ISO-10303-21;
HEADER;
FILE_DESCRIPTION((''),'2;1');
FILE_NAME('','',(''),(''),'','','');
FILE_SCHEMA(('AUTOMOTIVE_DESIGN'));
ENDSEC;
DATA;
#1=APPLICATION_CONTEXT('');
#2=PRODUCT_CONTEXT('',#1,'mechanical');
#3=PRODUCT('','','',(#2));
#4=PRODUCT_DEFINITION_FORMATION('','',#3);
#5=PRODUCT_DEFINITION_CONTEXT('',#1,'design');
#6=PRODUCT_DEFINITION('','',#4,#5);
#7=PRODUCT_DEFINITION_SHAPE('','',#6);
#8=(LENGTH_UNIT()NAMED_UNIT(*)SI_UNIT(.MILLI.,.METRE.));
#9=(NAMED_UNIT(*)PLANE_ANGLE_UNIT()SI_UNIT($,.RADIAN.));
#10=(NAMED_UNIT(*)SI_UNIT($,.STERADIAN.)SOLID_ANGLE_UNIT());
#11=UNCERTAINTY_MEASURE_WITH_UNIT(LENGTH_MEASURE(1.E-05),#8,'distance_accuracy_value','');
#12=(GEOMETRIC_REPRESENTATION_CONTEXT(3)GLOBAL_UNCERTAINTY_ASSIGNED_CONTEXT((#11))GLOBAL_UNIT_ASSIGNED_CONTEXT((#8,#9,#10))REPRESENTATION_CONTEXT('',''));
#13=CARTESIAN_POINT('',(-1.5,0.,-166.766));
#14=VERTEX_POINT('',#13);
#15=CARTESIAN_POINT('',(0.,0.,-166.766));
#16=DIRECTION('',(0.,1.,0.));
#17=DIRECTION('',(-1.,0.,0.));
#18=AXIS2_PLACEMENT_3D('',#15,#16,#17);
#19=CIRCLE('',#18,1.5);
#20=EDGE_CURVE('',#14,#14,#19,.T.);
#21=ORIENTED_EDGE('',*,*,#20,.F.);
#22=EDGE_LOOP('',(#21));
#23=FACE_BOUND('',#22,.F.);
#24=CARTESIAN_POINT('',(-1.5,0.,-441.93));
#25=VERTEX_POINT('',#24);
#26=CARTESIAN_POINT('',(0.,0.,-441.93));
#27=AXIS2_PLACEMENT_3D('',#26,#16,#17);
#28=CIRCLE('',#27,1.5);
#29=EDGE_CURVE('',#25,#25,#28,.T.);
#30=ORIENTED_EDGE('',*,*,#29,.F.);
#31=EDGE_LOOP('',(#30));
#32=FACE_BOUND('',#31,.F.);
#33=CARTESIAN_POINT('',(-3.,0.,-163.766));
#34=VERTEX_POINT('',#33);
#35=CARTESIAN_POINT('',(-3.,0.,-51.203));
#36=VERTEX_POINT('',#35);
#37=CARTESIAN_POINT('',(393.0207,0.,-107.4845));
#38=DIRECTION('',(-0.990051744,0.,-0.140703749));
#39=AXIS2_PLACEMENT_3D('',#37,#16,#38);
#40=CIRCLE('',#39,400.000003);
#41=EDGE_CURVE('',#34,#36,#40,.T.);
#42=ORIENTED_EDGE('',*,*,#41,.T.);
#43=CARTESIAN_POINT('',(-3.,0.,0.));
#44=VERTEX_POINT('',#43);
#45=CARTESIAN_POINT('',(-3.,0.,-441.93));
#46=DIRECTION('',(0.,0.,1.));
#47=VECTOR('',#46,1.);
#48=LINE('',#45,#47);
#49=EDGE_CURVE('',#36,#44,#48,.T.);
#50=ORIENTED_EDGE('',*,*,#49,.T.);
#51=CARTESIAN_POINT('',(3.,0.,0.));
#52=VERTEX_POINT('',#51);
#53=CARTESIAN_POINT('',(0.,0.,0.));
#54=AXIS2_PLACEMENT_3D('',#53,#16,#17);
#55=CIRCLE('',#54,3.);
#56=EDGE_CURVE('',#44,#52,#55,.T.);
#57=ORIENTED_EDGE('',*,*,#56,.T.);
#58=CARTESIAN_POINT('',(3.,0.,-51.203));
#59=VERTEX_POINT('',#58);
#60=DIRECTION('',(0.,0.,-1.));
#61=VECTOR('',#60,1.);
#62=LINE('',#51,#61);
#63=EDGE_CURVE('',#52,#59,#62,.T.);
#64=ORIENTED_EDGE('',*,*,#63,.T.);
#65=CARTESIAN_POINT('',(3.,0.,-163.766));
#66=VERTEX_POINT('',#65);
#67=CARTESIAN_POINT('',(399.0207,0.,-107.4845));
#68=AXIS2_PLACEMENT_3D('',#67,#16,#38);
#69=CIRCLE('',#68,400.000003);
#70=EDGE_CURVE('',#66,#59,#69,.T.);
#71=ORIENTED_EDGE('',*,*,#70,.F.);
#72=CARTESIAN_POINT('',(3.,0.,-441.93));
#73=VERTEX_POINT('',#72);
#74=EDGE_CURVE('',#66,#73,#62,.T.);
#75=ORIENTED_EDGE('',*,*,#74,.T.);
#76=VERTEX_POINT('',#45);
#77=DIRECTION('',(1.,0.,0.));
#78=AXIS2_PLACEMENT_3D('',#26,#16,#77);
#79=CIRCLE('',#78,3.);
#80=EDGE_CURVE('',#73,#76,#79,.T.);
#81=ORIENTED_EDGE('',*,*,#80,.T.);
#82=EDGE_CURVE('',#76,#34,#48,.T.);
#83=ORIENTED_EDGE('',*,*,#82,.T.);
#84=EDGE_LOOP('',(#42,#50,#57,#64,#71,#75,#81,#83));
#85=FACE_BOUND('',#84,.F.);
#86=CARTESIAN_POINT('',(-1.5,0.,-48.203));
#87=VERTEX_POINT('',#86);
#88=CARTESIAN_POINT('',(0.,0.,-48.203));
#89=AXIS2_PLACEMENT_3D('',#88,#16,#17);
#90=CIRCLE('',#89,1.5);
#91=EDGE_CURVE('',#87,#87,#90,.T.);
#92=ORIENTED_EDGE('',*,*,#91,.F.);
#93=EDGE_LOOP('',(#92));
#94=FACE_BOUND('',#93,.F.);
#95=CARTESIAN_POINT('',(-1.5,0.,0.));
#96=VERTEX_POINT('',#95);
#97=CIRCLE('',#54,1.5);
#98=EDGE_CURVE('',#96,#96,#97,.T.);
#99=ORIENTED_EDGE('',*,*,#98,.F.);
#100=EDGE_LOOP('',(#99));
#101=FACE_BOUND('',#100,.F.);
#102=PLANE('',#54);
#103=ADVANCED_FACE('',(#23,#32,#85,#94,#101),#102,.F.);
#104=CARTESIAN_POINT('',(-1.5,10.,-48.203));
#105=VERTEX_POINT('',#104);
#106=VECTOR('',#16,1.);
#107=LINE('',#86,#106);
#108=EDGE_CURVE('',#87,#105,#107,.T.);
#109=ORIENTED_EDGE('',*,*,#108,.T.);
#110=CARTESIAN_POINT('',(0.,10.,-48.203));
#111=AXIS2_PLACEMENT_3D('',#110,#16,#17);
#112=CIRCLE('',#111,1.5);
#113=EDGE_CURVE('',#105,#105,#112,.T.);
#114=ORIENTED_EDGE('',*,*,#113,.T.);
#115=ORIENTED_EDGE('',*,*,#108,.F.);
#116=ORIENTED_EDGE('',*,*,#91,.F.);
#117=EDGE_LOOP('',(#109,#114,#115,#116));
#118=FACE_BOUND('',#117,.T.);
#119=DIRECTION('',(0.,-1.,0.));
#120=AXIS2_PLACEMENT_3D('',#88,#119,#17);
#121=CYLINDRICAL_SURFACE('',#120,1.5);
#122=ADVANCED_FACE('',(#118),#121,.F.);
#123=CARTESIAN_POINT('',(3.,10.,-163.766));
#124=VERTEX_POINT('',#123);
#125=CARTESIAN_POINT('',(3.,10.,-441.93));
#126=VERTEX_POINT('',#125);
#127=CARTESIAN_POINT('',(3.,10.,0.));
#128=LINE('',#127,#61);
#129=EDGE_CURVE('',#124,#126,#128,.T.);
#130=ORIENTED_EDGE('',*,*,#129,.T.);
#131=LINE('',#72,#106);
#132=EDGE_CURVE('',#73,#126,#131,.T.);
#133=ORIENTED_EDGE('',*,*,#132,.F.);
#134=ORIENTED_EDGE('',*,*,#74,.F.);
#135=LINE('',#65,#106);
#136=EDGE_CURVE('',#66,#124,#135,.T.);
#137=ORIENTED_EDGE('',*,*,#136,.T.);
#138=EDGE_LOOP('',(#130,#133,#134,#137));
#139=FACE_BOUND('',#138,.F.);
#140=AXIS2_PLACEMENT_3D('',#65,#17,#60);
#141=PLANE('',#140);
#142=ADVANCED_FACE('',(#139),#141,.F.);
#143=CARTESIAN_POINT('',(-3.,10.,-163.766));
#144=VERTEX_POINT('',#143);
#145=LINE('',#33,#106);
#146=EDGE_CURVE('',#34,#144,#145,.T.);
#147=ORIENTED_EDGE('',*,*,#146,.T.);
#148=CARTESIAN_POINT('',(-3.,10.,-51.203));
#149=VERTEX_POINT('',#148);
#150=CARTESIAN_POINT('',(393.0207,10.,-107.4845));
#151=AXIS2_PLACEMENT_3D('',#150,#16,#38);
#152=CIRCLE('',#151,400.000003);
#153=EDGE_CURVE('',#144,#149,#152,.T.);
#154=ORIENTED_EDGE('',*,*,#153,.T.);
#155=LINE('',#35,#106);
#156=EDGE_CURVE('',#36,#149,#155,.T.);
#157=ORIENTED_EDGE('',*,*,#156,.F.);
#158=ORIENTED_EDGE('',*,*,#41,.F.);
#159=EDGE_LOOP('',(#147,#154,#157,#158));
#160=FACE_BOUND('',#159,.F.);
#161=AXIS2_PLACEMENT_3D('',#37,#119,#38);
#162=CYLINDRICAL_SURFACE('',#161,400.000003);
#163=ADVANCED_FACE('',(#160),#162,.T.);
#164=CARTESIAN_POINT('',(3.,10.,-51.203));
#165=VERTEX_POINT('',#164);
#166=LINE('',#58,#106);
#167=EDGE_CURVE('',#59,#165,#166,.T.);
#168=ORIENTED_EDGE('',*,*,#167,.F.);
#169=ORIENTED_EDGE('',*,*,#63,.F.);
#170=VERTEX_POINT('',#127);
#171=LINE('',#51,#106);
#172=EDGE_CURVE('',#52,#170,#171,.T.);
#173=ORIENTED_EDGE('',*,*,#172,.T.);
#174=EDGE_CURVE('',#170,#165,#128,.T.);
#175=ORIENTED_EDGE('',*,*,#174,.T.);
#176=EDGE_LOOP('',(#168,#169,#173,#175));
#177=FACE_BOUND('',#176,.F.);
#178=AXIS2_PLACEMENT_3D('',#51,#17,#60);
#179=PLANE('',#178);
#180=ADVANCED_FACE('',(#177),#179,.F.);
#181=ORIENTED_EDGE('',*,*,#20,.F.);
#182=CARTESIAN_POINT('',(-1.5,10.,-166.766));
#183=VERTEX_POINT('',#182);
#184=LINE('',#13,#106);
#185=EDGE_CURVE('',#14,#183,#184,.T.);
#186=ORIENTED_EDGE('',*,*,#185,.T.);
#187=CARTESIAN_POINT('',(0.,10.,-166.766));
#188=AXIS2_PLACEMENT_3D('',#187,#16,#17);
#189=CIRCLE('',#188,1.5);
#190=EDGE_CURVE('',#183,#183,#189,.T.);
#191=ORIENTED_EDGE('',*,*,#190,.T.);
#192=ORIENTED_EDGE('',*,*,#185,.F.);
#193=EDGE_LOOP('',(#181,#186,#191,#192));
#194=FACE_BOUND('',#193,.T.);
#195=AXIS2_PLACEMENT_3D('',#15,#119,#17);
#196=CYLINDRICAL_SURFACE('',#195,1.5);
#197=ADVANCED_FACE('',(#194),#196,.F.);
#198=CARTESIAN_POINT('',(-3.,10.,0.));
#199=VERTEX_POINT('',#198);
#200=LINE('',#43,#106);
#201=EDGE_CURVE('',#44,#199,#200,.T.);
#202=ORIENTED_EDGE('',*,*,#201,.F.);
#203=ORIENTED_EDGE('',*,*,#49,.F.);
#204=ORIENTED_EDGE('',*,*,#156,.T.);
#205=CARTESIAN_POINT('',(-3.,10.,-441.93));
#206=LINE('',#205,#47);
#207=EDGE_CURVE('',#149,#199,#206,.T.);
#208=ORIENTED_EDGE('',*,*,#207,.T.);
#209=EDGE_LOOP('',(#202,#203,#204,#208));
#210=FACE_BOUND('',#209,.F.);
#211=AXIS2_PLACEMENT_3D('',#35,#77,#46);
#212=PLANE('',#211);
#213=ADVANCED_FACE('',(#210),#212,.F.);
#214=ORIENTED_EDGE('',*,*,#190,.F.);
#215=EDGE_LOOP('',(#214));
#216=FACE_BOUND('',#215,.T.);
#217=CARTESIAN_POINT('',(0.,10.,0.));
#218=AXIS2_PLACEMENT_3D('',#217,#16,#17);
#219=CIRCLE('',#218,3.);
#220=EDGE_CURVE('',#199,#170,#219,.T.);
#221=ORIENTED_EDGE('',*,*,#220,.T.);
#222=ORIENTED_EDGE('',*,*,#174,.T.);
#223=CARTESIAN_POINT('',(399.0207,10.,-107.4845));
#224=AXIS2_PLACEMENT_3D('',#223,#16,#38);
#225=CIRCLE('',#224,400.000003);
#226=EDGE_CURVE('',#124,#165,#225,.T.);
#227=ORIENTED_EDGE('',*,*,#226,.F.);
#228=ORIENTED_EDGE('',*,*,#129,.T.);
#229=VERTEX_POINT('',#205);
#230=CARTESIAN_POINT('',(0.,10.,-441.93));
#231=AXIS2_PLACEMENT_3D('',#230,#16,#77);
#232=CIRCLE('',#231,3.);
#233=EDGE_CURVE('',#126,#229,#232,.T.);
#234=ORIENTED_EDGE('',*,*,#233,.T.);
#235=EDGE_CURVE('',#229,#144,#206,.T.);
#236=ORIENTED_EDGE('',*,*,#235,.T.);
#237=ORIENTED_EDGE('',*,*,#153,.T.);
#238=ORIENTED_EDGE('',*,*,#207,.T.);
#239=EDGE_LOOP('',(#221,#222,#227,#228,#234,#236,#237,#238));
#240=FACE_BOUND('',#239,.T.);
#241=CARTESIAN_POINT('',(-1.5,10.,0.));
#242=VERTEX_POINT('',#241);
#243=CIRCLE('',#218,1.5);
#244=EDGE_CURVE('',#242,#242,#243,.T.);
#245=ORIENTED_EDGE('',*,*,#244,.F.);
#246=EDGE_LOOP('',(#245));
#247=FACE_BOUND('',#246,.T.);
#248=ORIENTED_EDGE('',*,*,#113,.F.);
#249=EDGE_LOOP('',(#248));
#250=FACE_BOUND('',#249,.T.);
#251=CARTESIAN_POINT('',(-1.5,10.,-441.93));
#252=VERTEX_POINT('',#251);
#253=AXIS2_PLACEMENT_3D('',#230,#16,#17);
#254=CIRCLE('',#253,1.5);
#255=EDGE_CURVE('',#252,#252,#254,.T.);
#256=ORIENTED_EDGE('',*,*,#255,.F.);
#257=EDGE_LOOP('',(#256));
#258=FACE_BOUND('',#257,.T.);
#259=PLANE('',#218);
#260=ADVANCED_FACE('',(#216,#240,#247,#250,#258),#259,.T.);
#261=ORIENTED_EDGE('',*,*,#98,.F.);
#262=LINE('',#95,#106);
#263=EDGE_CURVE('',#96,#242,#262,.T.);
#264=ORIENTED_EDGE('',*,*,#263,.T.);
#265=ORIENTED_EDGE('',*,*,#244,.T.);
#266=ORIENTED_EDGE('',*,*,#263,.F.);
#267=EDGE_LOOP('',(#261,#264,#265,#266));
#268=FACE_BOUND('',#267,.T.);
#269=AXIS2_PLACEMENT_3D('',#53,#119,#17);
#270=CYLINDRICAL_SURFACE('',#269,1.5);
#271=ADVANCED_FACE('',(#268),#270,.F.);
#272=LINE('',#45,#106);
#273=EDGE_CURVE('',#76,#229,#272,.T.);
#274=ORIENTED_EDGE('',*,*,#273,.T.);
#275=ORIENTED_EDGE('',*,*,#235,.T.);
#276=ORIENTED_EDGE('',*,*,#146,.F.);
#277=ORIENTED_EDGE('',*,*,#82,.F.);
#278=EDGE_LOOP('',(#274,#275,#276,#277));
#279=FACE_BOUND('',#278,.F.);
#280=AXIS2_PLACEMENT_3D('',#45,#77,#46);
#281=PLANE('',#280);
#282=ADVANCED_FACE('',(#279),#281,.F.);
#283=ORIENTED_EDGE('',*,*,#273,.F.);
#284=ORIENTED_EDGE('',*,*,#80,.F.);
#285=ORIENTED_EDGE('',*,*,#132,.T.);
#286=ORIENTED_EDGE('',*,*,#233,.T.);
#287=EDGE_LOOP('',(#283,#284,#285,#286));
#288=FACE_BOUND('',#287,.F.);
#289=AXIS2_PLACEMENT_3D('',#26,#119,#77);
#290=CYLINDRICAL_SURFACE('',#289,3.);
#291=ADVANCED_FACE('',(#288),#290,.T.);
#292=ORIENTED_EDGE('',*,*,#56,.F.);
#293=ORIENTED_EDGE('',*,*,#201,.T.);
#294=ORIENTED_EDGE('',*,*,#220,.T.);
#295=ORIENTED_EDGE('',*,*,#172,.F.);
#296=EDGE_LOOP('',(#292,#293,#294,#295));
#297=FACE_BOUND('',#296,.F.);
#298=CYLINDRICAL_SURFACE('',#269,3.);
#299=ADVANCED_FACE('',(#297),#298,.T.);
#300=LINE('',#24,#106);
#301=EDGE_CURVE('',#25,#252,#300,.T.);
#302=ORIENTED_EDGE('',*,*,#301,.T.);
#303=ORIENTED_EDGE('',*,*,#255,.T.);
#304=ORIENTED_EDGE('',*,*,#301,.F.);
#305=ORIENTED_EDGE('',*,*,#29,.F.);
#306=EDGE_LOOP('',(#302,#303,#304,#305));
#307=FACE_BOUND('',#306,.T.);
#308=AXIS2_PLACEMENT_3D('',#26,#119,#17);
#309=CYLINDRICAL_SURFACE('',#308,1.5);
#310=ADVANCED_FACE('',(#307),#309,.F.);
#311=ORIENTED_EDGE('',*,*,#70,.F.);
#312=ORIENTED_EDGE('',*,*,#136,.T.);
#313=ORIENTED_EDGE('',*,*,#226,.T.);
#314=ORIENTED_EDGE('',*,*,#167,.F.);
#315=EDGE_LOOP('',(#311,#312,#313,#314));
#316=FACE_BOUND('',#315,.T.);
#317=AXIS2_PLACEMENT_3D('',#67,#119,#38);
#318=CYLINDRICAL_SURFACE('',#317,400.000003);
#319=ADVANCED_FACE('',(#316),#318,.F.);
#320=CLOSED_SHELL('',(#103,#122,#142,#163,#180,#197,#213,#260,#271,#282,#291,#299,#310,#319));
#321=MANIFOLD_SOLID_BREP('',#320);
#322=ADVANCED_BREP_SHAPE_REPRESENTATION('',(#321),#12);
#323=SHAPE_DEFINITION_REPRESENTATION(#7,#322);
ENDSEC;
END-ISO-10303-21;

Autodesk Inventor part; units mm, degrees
ref_plane "YZ Plane" through (0, 0, 0) normal (1, 0, 0) x (0, 1, 0)
ref_plane "XZ Plane" through (0, 0, 0) normal (0, 1, 0) x (-1, 0, 0)
ref_plane "XY Plane" through (0, 0, 0) normal (0, 0, 1) x (1, 0, 0)
sketch "Sketch1" plane through (0, 0, 0) normal (0, 1, 0) x (-1, 0, 0)
  line L0 (0, 0) -> (0, -441.93) construction
  line L1 (-3, 0) -> (-3, -441.93)
  line L2 (3, -441.93) -> (3, 0)
  arc A0 (3, 0) -> (-3, 0) centre (0, 0) ccw
  arc A1 (-3, -441.93) -> (3, -441.93) centre (0, -441.93) ccw
  circle A2 centre (0, 0) radius 1.5
  circle A3 centre (0, -441.93) radius 1.5
  circle A4 centre (0, -48.203) radius 1.5
  circle A5 centre (0, -166.766) radius 1.5
  arc A6 (-3, -163.766) -> (-3, -51.203) centre (-399.0207, -107.4845) ccw
  arc A7 (3, -163.766) -> (3, -51.203) centre (-393.0207, -107.4845) ccw
  point P0 (0, -220.965)
  dimension "d0" = 6
  dimension "d1" = 441.93
  dimension "d2" = 3
  dimension "d3" = 3
  dimension "d20" = 3
  dimension "d21" = 48.203
  dimension "d22" = 3
  dimension "d23" = 166.766
  dimension "d24" = 400
  dimension "d25" = 400
  dimension "d26" = 3
  dimension "d28" = 3
extrude "Extrusion1" add sketch "Sketch1" along normal blind 10 contours A0 L2 A1 L1 A6 | A7 L2
sketch "Sketch2" plane through (0, 10, 0) normal (0, 1, 0) x (1, 0, 0)
  line L0 (3, 0) -> (3, 51.203) projected
  arc A0 (3, 163.766) -> (3, 51.203) centre (399.0207, 107.4845) ccw projected
  line L1 (3, 163.766) -> (3, 441.93) projected
  arc A1 (3, 441.93) -> (-3, 441.93) centre (0, 441.93) ccw projected
  line L2 (-3, 441.93) -> (-3, 163.766) projected
  arc A2 (-3, 163.766) -> (-3, 51.203) centre (393.0207, 107.4845) ccw projected
  line L3 (-3, 51.203) -> (-3, 0) projected
  arc A3 (-3, 0) -> (3, 0) centre (0, 0) ccw projected
  circle A4 centre (0, 0) radius 1.5 projected
  circle A5 centre (0, 441.93) radius 1.5 projected
  circle A6 centre (0, 166.766) radius 1.5 projected
  circle A7 centre (0, 48.203) radius 1.5 projected
  line L4 (-3, 258.3394) -> (0, 251.9059)
  line L5 (0, 251.9059) -> (3, 258.3394)
  dimension "d29" = 25
  dimension "d30" = 25
extrude "Extrusion2" [suppressed]
